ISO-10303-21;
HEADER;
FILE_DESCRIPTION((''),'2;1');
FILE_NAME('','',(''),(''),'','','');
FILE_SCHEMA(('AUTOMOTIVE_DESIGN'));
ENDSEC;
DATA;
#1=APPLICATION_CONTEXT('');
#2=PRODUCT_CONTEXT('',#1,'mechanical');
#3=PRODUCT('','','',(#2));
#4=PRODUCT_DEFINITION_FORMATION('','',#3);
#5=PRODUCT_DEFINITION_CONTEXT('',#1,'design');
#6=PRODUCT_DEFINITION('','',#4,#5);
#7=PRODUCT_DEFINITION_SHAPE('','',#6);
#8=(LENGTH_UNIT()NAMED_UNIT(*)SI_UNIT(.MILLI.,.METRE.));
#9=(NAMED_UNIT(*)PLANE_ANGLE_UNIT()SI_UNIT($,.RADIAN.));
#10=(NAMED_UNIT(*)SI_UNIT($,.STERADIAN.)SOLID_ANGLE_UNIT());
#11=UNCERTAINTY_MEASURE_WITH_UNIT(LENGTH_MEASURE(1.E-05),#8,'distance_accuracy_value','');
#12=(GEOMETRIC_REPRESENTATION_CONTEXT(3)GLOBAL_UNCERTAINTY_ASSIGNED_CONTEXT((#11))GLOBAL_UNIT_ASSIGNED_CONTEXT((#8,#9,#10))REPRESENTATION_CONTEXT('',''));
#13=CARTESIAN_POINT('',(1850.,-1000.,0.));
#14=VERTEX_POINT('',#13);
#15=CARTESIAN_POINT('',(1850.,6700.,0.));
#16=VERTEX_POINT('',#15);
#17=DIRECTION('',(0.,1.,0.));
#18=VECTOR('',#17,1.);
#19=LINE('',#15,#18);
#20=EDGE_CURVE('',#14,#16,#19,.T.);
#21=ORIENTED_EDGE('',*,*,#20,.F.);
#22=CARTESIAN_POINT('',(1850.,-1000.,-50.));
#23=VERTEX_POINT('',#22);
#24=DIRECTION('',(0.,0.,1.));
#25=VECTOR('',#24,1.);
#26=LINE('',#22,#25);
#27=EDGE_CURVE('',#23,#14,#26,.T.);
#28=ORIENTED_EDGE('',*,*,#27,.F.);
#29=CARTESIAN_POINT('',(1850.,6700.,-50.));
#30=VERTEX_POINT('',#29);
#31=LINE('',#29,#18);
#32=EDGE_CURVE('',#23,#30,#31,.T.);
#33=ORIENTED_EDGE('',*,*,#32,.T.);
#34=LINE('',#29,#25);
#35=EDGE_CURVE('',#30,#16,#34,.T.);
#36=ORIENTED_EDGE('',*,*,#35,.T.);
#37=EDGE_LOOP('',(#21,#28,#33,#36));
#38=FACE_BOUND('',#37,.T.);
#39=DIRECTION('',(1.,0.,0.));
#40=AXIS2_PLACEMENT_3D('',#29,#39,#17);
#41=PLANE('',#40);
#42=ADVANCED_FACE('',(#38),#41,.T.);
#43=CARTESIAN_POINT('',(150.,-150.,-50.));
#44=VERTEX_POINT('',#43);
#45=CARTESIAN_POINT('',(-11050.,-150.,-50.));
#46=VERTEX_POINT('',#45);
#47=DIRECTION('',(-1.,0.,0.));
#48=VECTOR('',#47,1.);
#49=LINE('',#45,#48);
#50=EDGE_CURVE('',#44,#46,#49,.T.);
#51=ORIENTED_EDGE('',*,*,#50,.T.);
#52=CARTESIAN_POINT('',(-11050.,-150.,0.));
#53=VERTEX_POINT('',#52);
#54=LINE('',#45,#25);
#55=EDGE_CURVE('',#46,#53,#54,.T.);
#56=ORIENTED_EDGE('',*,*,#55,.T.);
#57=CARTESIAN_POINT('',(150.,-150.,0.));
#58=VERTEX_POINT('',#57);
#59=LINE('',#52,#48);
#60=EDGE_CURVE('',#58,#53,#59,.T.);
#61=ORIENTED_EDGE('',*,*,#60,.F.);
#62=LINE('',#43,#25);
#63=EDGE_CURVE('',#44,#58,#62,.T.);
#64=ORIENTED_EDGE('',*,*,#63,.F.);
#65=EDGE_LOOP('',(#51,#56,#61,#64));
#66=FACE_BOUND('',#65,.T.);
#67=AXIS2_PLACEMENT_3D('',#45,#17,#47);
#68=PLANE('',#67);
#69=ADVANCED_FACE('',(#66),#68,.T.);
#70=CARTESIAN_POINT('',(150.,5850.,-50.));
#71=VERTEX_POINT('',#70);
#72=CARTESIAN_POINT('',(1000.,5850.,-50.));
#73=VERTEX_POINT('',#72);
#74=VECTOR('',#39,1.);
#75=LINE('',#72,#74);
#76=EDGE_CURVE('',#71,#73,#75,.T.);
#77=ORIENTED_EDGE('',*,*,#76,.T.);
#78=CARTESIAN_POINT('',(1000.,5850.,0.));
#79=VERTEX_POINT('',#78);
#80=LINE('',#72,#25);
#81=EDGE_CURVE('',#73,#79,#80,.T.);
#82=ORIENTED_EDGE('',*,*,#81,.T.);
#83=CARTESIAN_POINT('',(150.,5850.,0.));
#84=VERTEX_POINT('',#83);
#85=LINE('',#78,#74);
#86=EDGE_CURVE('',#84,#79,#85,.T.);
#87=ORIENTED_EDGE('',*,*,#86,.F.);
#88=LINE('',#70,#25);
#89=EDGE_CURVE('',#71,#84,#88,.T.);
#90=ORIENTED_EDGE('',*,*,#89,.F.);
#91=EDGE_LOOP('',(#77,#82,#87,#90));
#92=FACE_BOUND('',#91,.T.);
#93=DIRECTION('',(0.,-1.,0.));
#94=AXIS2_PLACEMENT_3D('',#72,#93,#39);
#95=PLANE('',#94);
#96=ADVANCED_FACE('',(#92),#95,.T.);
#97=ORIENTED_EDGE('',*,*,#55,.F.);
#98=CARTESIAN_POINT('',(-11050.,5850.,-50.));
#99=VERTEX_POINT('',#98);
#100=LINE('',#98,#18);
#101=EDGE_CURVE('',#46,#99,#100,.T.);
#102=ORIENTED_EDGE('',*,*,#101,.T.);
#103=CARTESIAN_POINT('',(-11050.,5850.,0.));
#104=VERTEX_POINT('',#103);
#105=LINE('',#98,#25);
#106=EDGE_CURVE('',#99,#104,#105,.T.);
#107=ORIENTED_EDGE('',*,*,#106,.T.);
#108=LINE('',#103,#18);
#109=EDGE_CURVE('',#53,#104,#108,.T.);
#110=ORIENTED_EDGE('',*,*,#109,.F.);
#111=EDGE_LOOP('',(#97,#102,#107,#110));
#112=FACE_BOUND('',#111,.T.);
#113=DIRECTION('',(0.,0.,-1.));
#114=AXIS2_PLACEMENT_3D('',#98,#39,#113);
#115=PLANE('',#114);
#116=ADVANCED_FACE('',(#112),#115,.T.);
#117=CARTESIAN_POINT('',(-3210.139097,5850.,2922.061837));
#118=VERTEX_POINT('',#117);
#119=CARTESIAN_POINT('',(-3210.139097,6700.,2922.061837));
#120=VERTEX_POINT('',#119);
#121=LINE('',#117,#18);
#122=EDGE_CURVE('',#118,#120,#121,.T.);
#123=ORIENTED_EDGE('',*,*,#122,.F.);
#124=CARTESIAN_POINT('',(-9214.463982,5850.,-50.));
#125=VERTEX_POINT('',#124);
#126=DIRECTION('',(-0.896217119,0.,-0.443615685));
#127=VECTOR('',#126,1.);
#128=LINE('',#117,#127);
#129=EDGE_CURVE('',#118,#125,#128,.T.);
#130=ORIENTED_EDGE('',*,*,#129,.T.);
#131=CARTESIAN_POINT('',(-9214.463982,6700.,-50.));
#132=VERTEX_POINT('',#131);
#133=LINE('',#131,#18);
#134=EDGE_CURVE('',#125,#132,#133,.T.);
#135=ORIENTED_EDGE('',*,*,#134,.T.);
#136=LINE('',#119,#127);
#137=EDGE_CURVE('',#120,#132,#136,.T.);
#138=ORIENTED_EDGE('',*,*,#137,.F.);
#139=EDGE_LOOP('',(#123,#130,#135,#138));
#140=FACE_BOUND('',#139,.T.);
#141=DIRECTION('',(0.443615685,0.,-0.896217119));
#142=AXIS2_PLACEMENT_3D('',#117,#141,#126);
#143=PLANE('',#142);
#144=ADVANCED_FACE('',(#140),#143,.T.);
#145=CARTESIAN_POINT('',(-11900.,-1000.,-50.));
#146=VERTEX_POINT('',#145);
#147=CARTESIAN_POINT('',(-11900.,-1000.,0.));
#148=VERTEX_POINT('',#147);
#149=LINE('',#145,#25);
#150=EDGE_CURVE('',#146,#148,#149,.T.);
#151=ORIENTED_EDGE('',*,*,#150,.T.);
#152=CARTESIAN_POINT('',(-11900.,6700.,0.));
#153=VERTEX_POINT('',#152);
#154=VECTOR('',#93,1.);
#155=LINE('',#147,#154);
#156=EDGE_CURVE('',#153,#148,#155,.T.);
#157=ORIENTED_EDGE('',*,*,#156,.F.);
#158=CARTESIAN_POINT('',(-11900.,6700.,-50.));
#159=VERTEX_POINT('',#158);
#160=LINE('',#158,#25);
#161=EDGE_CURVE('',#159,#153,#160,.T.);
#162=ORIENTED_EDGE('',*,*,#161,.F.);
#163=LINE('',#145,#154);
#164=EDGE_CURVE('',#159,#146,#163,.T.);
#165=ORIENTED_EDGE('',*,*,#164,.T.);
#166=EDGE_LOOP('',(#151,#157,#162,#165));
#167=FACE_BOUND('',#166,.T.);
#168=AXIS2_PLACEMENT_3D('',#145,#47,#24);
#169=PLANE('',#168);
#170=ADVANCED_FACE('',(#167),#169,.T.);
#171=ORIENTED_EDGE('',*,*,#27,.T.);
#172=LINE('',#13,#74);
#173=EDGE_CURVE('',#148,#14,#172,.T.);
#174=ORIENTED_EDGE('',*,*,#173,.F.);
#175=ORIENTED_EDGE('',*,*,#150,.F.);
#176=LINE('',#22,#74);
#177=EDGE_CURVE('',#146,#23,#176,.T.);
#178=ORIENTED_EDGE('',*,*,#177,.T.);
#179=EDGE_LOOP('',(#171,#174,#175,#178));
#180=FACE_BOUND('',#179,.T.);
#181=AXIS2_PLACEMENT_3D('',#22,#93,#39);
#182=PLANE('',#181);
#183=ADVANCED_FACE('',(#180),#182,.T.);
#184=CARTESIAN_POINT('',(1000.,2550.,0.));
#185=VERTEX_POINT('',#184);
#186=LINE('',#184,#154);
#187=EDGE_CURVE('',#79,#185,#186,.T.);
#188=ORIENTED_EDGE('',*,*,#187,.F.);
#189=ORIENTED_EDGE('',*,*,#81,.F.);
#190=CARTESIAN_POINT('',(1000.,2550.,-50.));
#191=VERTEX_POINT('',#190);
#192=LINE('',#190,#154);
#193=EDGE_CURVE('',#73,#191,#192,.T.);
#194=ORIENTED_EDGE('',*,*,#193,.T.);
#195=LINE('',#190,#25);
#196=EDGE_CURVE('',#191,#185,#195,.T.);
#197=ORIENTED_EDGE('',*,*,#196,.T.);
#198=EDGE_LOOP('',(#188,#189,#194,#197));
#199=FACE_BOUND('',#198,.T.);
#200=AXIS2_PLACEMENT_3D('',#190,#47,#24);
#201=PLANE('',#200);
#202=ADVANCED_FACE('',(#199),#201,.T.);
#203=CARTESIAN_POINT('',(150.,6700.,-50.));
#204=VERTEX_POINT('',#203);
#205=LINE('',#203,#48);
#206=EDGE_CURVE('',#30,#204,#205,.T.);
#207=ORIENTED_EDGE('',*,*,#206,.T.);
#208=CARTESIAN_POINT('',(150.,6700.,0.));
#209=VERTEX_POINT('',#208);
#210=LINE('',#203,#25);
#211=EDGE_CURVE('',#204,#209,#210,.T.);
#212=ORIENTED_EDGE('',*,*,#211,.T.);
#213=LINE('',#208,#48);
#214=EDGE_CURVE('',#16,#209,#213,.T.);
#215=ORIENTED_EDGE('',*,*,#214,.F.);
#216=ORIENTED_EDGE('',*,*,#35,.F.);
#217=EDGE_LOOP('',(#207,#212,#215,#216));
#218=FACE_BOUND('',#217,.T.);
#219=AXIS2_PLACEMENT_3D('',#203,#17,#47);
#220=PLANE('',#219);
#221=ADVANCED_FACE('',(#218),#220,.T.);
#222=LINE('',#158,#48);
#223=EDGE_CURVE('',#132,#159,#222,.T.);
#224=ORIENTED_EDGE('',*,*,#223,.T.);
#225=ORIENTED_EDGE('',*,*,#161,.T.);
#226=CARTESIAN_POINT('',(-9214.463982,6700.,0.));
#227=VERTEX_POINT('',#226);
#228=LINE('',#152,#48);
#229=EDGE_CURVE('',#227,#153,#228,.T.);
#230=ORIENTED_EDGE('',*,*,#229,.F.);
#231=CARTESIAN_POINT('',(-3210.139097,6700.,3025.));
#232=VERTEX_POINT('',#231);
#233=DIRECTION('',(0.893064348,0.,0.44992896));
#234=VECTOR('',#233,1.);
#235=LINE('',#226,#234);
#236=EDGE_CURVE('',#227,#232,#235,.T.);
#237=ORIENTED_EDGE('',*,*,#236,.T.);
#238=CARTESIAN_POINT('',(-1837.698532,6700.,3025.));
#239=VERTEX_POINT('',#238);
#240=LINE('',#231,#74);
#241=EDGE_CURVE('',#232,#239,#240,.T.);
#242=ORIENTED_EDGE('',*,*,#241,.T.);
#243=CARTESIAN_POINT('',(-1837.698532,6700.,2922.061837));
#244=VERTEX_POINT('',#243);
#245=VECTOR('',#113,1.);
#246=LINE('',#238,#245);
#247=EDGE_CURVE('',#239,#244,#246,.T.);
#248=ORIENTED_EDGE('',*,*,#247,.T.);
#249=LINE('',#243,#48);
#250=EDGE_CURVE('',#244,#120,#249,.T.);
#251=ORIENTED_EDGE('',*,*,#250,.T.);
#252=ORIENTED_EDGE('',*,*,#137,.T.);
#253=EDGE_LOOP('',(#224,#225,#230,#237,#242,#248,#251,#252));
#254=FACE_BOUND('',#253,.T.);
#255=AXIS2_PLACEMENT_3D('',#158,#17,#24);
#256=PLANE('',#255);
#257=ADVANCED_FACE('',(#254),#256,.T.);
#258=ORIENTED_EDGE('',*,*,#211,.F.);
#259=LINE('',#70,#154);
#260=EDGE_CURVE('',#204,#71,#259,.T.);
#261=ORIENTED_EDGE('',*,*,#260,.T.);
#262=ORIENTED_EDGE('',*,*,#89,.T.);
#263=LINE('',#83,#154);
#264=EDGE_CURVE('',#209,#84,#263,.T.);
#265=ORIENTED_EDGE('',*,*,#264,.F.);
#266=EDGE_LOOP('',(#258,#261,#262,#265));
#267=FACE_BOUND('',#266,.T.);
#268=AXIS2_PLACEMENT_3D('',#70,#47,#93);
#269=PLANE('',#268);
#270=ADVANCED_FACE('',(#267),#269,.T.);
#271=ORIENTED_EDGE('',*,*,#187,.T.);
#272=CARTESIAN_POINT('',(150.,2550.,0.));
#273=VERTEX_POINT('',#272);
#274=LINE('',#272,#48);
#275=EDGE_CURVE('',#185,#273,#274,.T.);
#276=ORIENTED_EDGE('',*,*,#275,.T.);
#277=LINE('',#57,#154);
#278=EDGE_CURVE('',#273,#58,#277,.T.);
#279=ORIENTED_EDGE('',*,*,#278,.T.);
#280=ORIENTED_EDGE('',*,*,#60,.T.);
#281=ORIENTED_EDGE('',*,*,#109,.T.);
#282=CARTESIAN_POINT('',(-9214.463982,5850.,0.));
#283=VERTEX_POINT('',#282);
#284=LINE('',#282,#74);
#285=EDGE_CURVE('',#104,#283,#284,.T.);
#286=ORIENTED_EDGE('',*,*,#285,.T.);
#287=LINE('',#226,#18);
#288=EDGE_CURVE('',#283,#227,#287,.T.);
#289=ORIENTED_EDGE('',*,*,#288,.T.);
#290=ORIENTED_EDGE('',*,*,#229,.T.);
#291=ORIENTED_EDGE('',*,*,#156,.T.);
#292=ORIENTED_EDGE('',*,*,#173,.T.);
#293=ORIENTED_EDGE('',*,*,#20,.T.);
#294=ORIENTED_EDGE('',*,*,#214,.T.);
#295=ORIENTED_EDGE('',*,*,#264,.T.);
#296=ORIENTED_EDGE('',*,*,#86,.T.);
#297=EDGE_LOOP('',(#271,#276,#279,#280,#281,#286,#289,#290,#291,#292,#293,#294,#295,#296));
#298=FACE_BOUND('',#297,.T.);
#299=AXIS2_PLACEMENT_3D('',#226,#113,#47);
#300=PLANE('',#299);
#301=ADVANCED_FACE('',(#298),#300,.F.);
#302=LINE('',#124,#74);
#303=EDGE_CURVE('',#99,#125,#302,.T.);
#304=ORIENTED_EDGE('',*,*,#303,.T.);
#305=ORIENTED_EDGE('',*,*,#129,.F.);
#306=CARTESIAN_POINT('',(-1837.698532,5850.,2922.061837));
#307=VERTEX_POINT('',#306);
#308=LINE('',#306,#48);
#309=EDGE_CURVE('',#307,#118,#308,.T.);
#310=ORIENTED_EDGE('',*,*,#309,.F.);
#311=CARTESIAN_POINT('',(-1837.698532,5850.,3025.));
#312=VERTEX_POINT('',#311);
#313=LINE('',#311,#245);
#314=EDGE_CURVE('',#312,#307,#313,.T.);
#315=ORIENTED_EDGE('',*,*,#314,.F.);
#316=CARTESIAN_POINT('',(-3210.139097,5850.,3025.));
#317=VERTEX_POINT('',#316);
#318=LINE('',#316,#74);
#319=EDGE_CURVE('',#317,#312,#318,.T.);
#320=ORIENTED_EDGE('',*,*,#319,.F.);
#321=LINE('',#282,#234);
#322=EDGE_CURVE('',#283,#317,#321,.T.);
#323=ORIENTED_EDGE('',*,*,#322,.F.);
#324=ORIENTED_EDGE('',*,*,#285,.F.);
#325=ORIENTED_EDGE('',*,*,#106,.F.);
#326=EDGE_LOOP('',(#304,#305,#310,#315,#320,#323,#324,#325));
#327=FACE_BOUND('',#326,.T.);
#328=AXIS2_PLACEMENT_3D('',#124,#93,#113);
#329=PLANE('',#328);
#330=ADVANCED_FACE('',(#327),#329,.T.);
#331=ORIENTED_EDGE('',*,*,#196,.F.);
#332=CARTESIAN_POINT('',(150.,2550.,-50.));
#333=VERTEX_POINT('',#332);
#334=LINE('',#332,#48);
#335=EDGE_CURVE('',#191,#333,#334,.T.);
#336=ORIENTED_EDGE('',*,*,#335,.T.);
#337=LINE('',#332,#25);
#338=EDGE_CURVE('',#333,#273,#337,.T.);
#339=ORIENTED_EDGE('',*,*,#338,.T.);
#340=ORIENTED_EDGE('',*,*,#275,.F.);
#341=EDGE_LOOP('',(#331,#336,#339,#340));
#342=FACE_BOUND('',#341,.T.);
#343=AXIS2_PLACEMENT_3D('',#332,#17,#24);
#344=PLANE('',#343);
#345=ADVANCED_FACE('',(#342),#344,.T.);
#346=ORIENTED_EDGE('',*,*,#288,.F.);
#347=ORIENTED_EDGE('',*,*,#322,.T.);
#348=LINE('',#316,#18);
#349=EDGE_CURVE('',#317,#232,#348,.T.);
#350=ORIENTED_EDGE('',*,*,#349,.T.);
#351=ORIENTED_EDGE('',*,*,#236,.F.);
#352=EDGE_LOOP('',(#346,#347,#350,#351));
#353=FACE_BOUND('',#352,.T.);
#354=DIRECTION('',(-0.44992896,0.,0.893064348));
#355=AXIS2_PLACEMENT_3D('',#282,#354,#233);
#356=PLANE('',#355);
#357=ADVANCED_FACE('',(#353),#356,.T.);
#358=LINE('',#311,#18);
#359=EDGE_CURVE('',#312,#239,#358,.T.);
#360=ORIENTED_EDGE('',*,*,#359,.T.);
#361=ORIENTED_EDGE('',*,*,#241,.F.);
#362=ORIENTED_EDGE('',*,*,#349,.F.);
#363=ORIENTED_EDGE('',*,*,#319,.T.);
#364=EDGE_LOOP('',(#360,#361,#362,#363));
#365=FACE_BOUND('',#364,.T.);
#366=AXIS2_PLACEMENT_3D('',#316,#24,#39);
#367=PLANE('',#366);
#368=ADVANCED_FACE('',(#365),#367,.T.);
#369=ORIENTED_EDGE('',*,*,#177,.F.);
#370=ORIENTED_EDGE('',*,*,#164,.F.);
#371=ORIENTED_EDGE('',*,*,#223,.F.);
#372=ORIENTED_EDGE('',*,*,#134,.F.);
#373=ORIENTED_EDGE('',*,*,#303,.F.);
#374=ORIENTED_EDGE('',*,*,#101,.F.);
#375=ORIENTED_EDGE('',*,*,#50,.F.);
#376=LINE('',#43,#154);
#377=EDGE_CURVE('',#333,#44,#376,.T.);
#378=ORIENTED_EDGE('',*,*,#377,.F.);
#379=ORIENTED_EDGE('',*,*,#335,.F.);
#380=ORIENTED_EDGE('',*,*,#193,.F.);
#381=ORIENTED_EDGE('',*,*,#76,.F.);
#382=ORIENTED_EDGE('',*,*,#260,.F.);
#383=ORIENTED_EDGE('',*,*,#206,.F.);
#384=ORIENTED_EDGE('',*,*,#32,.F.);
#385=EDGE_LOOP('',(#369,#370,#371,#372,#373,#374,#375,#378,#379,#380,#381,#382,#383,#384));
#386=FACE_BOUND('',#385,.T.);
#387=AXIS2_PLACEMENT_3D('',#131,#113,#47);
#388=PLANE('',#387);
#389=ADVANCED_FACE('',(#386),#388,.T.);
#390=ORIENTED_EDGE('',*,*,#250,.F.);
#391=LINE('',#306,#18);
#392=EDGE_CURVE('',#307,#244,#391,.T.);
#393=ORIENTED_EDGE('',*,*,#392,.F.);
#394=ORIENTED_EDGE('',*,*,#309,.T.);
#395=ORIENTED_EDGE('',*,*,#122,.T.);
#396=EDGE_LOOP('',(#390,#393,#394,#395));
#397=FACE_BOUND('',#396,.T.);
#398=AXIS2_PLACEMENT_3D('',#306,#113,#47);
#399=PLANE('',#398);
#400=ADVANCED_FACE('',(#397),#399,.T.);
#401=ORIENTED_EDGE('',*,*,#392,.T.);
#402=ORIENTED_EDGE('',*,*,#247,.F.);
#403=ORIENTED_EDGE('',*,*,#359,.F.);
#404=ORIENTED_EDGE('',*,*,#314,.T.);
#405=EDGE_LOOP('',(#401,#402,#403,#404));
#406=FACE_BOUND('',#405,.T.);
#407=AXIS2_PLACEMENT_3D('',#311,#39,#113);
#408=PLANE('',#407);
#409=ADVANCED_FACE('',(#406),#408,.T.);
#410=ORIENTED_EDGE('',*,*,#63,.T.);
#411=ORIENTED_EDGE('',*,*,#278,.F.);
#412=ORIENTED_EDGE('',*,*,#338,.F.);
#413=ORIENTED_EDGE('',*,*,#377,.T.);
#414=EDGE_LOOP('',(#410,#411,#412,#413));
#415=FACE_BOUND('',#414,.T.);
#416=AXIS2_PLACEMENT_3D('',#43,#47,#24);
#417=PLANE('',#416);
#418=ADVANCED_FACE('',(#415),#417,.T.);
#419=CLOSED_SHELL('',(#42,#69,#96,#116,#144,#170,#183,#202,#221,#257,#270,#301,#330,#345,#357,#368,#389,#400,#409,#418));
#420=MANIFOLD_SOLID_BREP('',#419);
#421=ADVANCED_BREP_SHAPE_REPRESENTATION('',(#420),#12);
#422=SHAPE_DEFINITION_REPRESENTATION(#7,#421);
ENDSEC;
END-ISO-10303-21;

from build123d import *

# Parameters (mm, degrees)
EXTRUDE1_DEPTH = 50
EXTRUDE2_DEPTH = 850


with BuildPart() as part:
    # Sketch1 → Extrude1 (new body)
    with BuildSketch(Plane.XY):
        Polygon((-9214.463982447, 6700), (-9214.463982447, 5850), (-11050, 5850), (-11050, -150), (150, -150), (150, 2550), (1000, 2550), (1000, 5850), (150, 5850), (150, 6700), (1850, 6700), (1850, -1000), (-11900, -1000), (-11900, 6700), align=None)
    extrude(amount=-EXTRUDE1_DEPTH)

    # Sketch2 → Extrude2 (add)
    with BuildSketch(Plane(origin=(0, 6700, 0), x_dir=(1, 0, 0), z_dir=(0, 1, 0))):
        Polygon((-9214.463982447, 0), (-3210.139096843, -3025), (-1837.698532175, -3025), (-1837.698532175, -2922.061836858), (-3210.139096843, -2922.061836858), (-9214.463982447, 50), align=None)
    extrude(amount=-EXTRUDE2_DEPTH)


solid = part.part
